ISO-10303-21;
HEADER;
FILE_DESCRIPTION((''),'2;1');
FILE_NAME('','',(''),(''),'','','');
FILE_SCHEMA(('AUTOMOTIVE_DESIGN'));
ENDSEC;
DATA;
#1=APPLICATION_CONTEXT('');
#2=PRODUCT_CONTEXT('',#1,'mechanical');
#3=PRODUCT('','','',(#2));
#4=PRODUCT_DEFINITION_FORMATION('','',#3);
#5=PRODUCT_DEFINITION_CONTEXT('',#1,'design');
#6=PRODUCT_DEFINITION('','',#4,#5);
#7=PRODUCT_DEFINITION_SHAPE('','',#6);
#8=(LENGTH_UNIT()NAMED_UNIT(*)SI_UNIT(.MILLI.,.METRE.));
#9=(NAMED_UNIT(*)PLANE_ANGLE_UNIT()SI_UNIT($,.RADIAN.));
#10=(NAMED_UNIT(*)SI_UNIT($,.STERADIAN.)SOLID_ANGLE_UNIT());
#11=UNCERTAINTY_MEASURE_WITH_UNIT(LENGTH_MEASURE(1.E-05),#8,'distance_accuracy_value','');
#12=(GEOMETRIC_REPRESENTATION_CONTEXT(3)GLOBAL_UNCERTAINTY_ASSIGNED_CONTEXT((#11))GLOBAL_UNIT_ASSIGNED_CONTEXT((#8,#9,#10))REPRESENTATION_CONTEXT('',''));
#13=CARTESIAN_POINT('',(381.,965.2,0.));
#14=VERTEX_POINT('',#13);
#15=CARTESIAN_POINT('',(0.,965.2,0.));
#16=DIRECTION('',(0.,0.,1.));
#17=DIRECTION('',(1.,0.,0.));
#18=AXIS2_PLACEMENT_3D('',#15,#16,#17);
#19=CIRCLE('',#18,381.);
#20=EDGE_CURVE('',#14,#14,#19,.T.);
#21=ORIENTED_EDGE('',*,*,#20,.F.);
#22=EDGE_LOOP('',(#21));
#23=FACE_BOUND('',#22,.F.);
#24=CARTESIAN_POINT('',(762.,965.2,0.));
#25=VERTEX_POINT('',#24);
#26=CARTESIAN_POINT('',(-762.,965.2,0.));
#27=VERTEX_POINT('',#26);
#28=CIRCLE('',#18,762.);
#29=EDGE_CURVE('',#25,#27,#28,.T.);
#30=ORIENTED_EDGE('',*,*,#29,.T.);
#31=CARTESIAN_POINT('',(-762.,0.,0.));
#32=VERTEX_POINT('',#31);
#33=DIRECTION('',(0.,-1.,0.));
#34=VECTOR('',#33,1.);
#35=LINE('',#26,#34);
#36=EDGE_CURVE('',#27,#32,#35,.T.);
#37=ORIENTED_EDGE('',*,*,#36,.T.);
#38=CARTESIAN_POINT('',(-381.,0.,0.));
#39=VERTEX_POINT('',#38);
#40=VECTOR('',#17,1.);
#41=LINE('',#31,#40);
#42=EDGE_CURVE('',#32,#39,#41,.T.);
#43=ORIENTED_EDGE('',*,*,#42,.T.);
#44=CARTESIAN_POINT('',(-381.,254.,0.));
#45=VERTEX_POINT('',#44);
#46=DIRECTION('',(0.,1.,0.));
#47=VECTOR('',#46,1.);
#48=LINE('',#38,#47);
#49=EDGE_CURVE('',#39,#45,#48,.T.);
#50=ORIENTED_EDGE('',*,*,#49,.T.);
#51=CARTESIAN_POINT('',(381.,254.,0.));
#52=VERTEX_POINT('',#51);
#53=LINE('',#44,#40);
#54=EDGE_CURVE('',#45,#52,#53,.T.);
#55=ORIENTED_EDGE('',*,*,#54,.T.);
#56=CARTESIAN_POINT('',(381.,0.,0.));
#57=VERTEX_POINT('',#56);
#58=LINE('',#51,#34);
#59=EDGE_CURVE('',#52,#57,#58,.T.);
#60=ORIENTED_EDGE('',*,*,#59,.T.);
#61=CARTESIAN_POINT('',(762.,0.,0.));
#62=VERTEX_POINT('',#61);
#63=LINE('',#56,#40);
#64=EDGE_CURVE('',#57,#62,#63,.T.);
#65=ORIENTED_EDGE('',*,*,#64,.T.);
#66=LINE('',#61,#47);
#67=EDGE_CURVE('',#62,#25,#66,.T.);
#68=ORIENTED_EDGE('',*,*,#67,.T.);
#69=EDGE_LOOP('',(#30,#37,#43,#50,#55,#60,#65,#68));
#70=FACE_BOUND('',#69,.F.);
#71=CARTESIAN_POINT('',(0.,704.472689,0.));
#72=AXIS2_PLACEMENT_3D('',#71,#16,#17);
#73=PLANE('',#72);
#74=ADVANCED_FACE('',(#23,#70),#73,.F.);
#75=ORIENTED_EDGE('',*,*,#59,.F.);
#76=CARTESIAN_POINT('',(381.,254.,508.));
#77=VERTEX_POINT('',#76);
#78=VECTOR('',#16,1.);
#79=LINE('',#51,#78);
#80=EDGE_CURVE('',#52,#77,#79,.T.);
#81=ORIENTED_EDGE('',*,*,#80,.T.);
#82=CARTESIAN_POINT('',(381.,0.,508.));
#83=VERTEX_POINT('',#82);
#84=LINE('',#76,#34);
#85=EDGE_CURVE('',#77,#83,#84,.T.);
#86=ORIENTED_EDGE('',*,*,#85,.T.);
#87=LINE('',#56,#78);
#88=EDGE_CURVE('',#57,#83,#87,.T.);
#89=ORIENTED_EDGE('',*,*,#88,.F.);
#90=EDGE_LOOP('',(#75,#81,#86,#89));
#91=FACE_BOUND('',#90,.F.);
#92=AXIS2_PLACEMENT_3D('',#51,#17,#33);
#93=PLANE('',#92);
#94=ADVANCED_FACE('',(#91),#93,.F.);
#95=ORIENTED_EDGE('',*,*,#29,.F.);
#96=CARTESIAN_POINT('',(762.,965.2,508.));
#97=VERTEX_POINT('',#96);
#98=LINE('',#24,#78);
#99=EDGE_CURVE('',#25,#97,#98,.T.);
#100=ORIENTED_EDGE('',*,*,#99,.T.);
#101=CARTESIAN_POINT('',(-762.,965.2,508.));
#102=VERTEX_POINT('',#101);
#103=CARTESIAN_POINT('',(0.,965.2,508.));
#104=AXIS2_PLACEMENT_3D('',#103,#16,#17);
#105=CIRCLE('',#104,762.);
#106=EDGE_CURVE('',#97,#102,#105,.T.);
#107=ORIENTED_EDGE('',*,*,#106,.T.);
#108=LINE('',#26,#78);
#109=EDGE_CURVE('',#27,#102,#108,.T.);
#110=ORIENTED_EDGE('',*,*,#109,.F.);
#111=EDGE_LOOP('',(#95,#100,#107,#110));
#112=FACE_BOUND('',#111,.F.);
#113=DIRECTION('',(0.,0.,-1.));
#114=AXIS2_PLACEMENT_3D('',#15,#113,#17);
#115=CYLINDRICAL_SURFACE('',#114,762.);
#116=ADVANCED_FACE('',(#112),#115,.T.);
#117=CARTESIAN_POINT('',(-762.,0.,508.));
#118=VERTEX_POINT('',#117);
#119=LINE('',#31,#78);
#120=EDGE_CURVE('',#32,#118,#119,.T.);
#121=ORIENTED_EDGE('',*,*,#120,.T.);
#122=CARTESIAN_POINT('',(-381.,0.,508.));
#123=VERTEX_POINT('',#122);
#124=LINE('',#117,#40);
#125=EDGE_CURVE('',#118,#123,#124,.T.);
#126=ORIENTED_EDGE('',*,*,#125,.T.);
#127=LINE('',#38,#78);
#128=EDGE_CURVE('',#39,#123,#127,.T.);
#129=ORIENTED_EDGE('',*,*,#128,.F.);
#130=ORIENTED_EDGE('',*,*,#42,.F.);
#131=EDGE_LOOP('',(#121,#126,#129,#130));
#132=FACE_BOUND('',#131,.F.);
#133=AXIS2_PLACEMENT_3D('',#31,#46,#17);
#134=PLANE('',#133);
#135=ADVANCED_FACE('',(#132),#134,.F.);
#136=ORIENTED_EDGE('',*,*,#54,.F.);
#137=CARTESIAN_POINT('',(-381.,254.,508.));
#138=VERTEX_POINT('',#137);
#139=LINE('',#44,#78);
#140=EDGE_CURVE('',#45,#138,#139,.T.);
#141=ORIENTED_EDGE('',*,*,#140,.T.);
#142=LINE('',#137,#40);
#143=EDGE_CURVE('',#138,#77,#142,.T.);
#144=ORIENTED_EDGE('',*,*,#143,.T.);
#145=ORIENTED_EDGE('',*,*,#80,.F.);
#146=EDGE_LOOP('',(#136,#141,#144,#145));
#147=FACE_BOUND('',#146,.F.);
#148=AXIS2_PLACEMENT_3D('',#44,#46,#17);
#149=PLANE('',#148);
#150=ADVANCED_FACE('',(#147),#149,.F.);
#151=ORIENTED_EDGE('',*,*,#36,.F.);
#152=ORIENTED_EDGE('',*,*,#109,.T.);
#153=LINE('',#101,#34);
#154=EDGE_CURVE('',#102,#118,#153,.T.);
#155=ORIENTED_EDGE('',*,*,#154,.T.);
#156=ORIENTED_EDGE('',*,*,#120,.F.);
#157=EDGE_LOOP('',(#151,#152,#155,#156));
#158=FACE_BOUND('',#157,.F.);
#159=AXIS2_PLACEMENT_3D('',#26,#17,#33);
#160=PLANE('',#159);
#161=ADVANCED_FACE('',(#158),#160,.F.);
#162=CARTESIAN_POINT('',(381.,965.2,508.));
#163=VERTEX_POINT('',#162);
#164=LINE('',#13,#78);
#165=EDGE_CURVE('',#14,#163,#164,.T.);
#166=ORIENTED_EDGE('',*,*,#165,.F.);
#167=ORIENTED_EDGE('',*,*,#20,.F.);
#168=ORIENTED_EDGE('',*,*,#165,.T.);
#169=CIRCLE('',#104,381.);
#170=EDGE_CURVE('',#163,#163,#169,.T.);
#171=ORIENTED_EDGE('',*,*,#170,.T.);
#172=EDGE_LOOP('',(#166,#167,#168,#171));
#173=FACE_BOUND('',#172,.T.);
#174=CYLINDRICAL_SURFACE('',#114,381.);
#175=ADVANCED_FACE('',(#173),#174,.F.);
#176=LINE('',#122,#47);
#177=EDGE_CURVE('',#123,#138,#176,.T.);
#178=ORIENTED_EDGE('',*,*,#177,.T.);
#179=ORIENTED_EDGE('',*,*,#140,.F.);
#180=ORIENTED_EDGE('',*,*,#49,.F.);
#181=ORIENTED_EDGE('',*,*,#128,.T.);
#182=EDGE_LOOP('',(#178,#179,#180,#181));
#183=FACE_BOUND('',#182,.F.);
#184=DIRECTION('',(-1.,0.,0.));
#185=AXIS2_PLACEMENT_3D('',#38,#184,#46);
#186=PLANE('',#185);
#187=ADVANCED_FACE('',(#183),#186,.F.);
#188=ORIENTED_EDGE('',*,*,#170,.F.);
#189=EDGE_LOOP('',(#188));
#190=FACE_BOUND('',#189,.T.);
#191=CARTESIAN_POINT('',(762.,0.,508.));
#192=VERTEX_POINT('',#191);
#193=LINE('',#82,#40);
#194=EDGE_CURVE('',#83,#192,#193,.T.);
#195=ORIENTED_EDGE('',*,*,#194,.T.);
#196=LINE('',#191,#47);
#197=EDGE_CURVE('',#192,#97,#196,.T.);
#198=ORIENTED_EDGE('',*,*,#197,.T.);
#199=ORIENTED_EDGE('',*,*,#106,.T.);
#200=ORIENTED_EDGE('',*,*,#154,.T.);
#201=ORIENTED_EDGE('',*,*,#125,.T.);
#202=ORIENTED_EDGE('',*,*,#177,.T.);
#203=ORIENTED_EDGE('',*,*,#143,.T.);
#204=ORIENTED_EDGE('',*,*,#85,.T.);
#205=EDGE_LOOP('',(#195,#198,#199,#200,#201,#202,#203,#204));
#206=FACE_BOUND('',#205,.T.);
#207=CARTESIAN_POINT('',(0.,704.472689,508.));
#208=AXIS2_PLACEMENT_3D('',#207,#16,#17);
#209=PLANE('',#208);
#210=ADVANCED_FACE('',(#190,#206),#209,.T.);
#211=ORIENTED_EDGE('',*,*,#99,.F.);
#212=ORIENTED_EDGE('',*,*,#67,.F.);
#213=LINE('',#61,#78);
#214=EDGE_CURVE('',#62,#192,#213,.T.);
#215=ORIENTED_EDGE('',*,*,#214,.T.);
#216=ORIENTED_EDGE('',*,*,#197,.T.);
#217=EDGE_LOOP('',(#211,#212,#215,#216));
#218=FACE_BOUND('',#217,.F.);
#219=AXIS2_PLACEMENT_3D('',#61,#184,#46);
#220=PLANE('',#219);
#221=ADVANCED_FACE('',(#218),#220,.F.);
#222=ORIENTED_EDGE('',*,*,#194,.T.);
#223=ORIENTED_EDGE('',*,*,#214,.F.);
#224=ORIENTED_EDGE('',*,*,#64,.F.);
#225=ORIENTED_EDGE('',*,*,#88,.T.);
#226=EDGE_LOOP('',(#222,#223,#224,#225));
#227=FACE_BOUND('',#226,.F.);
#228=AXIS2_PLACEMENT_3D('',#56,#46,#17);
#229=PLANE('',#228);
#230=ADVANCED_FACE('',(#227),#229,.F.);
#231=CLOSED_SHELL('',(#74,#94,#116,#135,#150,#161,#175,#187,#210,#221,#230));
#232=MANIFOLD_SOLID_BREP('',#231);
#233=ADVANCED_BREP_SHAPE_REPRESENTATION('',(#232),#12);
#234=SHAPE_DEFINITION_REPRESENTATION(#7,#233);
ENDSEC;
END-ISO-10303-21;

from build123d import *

# Parameters (mm, degrees)
F0_R     = 381
F1_DEPTH = 508


with BuildPart() as f1:
    # F0 (on Top) → F1 (new body)
    with BuildSketch(Plane.XY):
        with BuildLine():
            Line((-762, 0), (-381, 0))
            Line((-381, 0), (-381, 254))
            Line((-381, 254), (381, 254))
            Line((381, 254), (381, 0))
            Line((381, 0), (762, 0))
            Line((762, 0), (762, 965.2))
            ThreePointArc((762, 965.2), (0, 1727.2), (-762, 965.2))
            Line((-762, 965.2), (-762, 0))
        make_face()
        with Locations((0, 965.2)):
            Circle(F0_R, mode=Mode.SUBTRACT)
    extrude(amount=F1_DEPTH)


solid = f1.part
